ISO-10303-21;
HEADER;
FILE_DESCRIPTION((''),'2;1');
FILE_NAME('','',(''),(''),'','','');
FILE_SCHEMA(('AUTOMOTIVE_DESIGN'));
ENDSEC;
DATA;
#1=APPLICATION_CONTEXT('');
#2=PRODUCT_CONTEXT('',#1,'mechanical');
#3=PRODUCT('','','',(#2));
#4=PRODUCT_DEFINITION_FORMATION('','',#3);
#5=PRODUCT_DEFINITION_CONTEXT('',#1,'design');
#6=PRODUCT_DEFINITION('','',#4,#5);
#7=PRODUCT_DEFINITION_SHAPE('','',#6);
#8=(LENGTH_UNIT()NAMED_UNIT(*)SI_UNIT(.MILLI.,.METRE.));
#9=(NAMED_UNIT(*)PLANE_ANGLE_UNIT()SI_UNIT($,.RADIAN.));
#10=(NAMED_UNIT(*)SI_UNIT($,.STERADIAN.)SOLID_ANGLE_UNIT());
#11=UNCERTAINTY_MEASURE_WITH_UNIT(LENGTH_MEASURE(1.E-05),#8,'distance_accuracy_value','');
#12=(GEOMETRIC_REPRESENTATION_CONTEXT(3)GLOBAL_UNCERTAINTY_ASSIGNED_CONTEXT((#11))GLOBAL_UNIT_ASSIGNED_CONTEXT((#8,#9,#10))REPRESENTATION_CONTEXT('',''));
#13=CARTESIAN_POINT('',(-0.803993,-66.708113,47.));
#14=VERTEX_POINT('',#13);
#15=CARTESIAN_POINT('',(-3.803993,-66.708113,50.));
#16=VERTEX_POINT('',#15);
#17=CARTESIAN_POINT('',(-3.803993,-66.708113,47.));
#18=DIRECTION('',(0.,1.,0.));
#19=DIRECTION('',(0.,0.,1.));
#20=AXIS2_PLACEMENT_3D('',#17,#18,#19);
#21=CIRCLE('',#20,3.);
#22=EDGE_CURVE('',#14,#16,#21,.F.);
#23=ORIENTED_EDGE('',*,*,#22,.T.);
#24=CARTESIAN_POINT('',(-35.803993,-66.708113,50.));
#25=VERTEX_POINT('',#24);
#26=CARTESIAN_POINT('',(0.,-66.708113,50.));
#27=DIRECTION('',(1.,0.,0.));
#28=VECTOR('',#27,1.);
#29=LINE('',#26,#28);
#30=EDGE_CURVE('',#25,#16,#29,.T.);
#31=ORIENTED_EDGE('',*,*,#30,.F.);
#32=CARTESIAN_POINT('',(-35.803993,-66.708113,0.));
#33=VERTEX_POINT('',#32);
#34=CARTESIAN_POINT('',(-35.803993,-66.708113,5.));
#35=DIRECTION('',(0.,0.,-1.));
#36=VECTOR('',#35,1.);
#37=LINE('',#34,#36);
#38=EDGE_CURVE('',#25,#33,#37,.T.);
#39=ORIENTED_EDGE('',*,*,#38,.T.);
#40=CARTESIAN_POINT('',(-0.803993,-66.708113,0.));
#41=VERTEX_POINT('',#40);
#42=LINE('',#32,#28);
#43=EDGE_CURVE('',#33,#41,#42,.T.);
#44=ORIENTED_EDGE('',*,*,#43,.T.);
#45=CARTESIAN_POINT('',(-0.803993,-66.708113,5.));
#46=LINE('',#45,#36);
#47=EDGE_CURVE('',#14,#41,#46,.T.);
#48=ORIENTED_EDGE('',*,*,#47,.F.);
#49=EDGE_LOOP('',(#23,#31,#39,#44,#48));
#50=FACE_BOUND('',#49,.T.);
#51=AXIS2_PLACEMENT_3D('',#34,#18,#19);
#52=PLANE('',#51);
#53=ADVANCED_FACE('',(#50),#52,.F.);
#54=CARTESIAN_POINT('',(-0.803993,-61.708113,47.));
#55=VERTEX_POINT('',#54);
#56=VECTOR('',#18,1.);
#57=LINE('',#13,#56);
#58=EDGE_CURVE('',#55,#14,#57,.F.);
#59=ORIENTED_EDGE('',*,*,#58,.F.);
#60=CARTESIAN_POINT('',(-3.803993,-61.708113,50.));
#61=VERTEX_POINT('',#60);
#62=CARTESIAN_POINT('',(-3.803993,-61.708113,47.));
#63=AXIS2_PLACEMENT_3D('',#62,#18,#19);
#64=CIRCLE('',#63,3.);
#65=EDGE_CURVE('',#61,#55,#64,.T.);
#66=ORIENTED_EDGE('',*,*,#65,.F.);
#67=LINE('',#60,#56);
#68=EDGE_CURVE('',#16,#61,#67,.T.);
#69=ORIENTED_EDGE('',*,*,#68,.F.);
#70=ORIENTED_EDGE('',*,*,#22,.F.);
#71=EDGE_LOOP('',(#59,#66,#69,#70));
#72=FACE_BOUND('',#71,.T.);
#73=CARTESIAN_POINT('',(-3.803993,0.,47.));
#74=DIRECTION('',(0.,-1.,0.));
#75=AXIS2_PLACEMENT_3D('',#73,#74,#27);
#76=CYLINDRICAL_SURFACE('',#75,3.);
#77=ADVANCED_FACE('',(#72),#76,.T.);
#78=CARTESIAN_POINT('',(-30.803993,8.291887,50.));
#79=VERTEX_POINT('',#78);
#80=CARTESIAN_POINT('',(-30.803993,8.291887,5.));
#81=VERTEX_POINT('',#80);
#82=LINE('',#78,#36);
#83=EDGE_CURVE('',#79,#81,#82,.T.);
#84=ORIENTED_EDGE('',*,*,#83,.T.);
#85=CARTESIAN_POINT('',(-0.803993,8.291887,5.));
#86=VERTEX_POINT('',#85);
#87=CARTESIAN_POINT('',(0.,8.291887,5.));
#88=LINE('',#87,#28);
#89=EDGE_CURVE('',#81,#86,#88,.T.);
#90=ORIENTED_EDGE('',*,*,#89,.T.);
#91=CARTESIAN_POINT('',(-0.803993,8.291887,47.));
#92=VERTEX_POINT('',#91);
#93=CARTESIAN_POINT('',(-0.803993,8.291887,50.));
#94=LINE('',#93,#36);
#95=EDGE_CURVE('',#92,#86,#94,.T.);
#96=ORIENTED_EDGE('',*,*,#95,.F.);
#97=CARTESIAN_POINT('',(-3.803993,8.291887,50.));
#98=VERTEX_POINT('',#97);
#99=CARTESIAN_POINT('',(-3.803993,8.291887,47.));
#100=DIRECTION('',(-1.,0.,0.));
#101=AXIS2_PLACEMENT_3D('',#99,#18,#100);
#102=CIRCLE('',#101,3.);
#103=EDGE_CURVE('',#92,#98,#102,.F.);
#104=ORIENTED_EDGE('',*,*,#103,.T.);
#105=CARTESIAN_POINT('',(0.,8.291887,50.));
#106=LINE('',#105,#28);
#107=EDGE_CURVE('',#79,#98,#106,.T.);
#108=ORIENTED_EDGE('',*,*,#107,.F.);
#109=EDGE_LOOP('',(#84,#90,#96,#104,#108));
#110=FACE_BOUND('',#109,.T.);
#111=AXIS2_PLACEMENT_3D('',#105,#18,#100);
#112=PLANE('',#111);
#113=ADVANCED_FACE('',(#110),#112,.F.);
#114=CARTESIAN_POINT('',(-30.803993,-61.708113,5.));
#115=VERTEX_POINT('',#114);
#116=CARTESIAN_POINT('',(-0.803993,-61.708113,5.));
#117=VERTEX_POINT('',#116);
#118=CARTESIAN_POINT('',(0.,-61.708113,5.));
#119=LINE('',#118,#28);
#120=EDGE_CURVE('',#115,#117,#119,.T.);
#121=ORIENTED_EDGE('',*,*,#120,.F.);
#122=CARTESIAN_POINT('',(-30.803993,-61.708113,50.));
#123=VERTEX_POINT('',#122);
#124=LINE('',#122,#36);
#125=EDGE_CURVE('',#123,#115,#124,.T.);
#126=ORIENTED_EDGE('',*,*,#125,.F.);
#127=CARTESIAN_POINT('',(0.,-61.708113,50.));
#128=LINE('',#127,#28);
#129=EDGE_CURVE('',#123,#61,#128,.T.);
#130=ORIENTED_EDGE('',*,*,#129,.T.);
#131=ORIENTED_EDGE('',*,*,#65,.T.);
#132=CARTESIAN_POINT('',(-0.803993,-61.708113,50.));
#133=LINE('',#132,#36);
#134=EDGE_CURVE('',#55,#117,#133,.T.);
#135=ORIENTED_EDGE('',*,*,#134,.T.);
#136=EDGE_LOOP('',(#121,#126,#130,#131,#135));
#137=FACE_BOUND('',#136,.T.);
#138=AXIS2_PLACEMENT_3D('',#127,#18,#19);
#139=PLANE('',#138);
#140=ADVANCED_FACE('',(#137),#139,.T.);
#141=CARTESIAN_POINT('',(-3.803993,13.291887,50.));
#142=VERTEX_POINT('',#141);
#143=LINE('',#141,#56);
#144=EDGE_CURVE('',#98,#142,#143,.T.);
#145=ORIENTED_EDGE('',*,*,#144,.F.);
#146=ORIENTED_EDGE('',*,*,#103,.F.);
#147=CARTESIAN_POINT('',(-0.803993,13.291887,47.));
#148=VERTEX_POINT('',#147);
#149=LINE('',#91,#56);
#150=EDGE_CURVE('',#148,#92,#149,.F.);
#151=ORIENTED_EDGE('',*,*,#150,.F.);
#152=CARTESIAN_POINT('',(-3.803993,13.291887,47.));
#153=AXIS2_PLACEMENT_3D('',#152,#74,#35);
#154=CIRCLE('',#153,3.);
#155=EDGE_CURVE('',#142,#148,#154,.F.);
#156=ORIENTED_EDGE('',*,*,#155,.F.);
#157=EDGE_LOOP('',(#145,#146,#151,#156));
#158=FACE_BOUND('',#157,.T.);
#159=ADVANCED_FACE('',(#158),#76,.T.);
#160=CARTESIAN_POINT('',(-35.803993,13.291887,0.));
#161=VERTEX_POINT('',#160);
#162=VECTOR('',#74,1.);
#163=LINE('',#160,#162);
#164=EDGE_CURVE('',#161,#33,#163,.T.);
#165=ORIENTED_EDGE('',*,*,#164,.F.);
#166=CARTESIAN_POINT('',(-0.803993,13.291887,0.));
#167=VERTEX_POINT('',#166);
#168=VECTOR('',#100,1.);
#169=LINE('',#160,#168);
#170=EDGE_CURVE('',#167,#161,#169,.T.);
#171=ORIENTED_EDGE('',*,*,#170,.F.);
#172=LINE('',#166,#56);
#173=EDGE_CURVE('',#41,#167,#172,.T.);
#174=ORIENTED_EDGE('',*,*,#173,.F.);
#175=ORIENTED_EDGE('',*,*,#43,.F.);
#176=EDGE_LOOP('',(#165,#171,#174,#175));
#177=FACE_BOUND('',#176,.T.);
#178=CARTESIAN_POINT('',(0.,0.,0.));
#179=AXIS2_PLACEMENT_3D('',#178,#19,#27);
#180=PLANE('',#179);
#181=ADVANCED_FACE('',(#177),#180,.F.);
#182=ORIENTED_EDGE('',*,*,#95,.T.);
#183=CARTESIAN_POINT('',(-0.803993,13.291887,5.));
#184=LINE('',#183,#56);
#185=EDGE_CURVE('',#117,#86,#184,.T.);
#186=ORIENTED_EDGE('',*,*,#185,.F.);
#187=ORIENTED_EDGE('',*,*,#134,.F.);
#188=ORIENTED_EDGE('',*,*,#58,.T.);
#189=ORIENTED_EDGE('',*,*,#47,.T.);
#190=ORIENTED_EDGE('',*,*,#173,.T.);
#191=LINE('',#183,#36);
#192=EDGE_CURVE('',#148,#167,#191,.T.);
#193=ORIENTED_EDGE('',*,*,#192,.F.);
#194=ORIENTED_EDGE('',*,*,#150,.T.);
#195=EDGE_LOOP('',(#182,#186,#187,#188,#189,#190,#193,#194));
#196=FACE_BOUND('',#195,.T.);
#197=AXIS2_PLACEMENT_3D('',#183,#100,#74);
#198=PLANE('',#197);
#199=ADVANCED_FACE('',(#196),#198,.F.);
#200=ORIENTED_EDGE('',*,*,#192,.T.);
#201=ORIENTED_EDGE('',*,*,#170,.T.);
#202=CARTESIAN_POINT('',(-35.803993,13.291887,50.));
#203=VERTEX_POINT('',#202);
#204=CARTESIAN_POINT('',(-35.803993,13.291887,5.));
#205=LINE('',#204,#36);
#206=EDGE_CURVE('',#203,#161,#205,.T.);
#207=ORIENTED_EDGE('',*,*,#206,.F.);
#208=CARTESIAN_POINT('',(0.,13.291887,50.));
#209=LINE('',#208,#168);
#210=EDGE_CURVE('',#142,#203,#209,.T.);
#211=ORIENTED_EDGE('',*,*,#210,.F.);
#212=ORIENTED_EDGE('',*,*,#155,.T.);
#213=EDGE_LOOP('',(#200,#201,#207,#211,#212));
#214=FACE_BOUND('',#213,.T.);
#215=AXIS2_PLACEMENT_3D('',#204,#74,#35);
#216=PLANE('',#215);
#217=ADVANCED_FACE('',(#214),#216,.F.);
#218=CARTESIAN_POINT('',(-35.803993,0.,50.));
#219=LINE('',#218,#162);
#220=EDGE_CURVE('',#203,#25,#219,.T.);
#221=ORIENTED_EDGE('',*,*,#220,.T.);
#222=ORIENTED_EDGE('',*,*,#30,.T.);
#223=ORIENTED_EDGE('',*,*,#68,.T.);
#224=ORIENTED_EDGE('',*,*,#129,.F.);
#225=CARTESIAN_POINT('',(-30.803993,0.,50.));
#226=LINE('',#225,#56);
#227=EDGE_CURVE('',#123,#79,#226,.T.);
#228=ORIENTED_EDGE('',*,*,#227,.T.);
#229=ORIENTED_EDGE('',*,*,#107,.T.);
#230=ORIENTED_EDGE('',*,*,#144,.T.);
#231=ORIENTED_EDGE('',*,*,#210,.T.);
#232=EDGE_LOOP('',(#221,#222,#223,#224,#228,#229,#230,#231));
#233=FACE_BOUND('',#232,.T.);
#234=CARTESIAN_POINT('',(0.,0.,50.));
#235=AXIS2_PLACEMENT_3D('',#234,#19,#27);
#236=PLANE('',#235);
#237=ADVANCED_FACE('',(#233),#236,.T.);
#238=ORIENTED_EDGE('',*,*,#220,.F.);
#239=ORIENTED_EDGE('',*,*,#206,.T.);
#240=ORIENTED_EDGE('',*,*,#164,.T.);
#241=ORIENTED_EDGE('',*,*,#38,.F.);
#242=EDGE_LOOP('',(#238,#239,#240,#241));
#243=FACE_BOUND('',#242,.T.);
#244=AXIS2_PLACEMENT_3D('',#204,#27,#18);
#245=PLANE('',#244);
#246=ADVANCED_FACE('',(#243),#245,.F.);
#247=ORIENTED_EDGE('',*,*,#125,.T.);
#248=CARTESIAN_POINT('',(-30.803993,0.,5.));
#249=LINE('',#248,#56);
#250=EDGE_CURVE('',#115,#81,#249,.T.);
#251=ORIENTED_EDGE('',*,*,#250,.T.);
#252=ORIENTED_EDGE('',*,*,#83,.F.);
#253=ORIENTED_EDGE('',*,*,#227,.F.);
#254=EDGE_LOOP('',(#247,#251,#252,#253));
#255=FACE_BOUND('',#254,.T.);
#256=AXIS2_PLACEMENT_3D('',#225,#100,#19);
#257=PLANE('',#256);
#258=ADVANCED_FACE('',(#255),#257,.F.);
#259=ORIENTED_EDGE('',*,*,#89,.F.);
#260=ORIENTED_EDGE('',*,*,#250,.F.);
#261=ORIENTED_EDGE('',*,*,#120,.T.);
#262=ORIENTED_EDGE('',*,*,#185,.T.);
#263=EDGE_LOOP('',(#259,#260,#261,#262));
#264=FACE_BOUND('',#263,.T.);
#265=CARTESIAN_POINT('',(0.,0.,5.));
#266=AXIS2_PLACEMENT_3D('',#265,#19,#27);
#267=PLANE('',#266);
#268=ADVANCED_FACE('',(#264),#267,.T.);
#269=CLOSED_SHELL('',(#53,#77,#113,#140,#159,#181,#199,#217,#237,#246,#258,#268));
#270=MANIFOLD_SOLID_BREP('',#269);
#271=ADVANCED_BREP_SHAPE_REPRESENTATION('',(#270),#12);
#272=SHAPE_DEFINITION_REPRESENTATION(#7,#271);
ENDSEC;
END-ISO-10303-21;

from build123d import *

# Parameters (mm, degrees)
SKETCH_1_W      = 35
SKETCH_1_H      = 80
EXTRUDE_1_DEPTH = 5
EXTRUDE_2_DEPTH = 45
FILLET_1_R      = 3


with BuildPart() as part:
    # 草圖1 → 填料-伸長1 (new body)
    with BuildSketch(Plane.XY):
        with Locations((-18.303993018, -26.708112773)):
            Rectangle(SKETCH_1_W, SKETCH_1_H)
    extrude(amount=EXTRUDE_1_DEPTH)

    # 草圖3 → 填料-伸長2 (add)
    with BuildSketch(Plane.XY.offset(5)):
        Polygon((-35.803993018, 13.291887227), (-35.803993018, -66.708112773), (-0.803993018, -66.708112773), (-0.803993018, -61.708112773), (-30.803993018, -61.708112773), (-30.803993018, 8.291887227), (-0.803993018, 8.291887227), (-0.803993018, 13.291887227), align=None)
    extrude(amount=EXTRUDE_2_DEPTH)

    # 圓角1
    fillet_1_edges = [part.edges().sort_by_distance(p)[0] for p in [
        (-0.803993018, -64.208112773, 50),
        (-0.803993018, 10.791887227, 50),
    ]]
    fillet(fillet_1_edges, radius=FILLET_1_R)


solid = part.part
